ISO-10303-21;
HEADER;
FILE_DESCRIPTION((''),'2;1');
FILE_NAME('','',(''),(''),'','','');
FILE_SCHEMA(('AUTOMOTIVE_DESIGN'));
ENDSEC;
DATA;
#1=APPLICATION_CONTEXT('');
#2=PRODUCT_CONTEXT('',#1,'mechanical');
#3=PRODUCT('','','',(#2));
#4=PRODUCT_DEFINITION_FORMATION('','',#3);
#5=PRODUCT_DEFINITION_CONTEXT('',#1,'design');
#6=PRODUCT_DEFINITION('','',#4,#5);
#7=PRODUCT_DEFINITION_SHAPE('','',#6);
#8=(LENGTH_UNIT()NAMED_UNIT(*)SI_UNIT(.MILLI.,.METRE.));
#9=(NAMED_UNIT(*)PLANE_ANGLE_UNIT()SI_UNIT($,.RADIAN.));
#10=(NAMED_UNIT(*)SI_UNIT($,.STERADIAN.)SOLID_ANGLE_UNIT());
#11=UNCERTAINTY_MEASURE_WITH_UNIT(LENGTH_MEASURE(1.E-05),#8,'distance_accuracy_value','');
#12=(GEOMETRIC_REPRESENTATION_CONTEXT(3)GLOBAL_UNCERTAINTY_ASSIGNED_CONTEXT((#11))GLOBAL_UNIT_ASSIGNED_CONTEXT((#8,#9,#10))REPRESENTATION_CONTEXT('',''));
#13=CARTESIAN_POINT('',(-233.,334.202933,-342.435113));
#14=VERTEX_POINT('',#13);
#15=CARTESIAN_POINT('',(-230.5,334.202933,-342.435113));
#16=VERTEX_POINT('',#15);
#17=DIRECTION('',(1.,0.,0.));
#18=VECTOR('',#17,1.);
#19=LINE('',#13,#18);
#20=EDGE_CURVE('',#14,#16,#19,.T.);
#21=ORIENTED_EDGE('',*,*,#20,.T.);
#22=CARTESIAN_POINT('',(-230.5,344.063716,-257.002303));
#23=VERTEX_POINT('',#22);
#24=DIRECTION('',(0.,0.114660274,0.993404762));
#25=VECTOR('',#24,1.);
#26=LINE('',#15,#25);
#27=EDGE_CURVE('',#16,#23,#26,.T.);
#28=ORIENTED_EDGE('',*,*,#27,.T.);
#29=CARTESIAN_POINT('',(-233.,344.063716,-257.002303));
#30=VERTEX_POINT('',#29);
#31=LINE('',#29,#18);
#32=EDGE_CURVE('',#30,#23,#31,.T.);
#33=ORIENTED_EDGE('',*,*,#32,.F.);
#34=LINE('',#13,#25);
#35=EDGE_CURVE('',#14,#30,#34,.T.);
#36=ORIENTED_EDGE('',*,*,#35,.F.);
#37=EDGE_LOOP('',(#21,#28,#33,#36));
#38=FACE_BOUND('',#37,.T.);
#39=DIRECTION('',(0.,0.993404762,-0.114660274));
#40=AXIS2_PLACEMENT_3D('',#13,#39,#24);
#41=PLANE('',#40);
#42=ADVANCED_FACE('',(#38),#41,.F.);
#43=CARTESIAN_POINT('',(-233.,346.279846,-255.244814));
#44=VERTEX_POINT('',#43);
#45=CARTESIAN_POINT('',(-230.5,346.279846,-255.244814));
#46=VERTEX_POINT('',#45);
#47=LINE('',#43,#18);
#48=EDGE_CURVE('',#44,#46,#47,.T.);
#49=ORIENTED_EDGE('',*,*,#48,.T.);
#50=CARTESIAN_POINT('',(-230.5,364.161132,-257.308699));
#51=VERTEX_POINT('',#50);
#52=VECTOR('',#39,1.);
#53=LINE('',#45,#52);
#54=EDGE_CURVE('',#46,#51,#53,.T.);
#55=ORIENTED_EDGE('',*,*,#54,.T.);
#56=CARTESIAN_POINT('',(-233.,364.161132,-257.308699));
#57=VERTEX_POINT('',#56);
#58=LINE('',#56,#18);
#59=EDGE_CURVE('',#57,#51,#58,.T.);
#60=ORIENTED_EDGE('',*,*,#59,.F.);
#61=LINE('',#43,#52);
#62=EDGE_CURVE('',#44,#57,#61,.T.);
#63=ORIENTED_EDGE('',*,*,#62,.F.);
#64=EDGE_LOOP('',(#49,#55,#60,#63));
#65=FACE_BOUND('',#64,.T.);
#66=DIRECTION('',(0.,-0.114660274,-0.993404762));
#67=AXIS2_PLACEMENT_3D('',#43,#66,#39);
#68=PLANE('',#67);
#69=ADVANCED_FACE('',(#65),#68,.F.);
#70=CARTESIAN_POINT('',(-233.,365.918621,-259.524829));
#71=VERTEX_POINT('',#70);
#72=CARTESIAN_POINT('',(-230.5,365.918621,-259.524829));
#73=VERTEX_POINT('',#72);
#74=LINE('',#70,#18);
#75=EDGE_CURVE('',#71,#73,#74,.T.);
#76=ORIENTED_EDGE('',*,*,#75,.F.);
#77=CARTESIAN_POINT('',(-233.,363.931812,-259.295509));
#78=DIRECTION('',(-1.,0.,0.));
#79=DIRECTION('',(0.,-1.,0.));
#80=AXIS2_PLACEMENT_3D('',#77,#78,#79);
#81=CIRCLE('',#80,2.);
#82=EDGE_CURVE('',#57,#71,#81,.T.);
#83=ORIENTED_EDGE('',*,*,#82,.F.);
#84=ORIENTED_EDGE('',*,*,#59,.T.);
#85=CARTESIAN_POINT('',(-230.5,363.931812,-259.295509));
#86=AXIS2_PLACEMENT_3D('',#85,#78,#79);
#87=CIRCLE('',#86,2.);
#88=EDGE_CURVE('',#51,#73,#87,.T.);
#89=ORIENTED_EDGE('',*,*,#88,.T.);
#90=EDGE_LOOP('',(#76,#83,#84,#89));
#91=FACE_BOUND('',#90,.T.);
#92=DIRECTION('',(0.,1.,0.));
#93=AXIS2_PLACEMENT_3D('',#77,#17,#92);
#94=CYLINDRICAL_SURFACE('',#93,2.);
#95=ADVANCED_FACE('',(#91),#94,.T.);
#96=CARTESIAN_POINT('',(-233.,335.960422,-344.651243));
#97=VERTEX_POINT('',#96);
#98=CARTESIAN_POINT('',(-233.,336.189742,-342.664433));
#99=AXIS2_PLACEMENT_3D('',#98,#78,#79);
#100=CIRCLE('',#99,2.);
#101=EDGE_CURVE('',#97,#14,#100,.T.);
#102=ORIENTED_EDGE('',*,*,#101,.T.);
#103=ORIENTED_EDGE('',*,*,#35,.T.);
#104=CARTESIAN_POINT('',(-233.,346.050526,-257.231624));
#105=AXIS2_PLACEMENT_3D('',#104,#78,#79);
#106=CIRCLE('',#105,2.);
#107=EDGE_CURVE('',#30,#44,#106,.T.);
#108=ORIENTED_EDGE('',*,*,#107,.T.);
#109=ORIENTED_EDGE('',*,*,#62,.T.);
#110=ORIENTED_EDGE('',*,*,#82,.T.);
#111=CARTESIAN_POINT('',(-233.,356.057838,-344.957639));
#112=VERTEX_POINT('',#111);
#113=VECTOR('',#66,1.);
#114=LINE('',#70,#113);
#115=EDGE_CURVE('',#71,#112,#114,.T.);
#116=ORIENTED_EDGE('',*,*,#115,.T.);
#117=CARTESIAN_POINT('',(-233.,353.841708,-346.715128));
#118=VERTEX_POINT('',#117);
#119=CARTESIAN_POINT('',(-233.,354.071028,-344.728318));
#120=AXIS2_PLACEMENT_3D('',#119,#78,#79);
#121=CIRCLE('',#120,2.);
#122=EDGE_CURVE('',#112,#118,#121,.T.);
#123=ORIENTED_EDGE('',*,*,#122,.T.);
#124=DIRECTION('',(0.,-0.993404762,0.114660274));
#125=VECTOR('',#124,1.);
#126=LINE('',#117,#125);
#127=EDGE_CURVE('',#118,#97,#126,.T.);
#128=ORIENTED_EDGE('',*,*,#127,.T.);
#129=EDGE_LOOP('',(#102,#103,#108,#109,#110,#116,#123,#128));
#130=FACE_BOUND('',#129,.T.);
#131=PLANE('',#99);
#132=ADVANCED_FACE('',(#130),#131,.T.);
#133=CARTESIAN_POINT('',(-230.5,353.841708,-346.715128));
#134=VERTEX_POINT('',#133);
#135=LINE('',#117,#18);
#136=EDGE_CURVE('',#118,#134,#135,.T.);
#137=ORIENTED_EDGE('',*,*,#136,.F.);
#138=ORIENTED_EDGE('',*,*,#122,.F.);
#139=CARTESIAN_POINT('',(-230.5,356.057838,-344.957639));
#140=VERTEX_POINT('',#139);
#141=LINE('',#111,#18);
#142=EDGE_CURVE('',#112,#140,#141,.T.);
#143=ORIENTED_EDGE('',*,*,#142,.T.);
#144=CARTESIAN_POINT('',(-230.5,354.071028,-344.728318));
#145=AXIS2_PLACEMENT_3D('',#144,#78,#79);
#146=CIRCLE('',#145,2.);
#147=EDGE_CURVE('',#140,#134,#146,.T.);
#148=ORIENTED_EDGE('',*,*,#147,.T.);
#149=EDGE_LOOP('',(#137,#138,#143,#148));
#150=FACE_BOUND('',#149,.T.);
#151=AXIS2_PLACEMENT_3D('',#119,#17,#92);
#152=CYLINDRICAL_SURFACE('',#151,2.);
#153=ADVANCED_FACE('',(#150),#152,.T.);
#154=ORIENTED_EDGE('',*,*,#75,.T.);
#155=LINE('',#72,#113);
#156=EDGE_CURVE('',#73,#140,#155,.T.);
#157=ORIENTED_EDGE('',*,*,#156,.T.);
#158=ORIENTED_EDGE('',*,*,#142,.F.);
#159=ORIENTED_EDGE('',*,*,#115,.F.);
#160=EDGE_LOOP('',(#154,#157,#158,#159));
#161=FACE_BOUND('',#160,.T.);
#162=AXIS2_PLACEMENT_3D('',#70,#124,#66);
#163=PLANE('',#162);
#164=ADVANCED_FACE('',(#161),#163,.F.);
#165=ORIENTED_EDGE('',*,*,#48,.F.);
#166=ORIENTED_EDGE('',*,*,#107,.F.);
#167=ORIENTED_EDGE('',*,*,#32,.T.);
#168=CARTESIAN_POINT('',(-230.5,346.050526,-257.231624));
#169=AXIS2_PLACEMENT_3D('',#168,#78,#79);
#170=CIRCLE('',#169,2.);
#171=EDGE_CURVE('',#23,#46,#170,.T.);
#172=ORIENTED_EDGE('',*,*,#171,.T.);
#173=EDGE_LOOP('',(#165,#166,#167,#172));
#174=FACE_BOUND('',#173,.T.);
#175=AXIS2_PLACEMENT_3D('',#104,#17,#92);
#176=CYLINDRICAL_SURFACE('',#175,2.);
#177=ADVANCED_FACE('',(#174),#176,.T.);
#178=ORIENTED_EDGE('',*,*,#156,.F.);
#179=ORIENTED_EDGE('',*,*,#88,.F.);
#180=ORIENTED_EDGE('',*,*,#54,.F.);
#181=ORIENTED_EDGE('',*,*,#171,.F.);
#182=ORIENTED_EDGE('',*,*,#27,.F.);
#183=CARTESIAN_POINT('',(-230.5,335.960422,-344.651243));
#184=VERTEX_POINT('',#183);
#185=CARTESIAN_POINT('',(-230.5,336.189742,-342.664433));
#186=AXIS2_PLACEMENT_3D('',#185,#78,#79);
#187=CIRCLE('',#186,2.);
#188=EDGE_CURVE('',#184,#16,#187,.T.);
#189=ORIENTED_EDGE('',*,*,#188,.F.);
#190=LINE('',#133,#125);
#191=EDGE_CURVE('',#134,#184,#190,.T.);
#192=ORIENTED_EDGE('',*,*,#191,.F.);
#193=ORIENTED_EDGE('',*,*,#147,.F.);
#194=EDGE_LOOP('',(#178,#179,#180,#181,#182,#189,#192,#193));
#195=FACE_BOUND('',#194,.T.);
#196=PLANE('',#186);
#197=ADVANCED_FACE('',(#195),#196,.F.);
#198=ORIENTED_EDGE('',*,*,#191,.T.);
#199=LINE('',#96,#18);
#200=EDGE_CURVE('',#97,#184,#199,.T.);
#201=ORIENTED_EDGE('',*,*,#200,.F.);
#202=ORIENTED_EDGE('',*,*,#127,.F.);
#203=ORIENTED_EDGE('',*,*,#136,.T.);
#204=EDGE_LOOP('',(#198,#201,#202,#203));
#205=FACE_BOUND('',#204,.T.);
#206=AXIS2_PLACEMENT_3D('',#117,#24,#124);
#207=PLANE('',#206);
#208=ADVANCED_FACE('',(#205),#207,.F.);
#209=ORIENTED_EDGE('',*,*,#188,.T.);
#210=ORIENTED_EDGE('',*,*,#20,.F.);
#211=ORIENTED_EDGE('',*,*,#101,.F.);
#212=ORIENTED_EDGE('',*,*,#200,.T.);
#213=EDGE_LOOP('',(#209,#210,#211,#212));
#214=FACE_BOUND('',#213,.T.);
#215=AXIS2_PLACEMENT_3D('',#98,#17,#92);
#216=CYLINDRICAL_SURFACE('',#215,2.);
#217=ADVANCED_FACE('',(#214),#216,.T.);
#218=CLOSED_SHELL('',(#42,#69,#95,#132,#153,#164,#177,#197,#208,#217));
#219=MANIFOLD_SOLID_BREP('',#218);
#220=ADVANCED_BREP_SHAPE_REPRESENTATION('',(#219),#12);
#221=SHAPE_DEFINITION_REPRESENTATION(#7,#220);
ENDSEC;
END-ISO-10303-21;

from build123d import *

# Parameters (mm, degrees)
BOSS_EXTRUDE1_DEPTH = 2.5


with BuildPart() as part:
    # Sketch1 → Boss-Extrude1 (new body)
    with BuildSketch(Plane.ZY.offset(230.5)):
        with BuildLine():
            Line((-346.715127801, 353.841707564), (-344.651242875, 335.960421843))
            ThreePointArc((-344.651242875, 335.960421843), (-343.907165724, 334.622701789), (-342.435112803, 334.202932866))
            Line((-342.435112803, 334.202932866), (-257.002303251, 344.063716401))
            ThreePointArc((-257.002303251, 344.063716401), (-255.664583196, 344.807793551), (-255.244814273, 346.279846472))
            Line((-255.244814273, 346.279846472), (-257.308699199, 364.161132193))
            ThreePointArc((-257.308699199, 364.161132193), (-258.05277635, 365.498852247), (-259.524829271, 365.91862117))
            Line((-259.524829271, 365.91862117), (-344.957638824, 356.057837635))
            ThreePointArc((-344.957638824, 356.057837635), (-346.295358878, 355.313760485), (-346.715127801, 353.841707564))
        make_face()
    extrude(amount=BOSS_EXTRUDE1_DEPTH)


solid = part.part
